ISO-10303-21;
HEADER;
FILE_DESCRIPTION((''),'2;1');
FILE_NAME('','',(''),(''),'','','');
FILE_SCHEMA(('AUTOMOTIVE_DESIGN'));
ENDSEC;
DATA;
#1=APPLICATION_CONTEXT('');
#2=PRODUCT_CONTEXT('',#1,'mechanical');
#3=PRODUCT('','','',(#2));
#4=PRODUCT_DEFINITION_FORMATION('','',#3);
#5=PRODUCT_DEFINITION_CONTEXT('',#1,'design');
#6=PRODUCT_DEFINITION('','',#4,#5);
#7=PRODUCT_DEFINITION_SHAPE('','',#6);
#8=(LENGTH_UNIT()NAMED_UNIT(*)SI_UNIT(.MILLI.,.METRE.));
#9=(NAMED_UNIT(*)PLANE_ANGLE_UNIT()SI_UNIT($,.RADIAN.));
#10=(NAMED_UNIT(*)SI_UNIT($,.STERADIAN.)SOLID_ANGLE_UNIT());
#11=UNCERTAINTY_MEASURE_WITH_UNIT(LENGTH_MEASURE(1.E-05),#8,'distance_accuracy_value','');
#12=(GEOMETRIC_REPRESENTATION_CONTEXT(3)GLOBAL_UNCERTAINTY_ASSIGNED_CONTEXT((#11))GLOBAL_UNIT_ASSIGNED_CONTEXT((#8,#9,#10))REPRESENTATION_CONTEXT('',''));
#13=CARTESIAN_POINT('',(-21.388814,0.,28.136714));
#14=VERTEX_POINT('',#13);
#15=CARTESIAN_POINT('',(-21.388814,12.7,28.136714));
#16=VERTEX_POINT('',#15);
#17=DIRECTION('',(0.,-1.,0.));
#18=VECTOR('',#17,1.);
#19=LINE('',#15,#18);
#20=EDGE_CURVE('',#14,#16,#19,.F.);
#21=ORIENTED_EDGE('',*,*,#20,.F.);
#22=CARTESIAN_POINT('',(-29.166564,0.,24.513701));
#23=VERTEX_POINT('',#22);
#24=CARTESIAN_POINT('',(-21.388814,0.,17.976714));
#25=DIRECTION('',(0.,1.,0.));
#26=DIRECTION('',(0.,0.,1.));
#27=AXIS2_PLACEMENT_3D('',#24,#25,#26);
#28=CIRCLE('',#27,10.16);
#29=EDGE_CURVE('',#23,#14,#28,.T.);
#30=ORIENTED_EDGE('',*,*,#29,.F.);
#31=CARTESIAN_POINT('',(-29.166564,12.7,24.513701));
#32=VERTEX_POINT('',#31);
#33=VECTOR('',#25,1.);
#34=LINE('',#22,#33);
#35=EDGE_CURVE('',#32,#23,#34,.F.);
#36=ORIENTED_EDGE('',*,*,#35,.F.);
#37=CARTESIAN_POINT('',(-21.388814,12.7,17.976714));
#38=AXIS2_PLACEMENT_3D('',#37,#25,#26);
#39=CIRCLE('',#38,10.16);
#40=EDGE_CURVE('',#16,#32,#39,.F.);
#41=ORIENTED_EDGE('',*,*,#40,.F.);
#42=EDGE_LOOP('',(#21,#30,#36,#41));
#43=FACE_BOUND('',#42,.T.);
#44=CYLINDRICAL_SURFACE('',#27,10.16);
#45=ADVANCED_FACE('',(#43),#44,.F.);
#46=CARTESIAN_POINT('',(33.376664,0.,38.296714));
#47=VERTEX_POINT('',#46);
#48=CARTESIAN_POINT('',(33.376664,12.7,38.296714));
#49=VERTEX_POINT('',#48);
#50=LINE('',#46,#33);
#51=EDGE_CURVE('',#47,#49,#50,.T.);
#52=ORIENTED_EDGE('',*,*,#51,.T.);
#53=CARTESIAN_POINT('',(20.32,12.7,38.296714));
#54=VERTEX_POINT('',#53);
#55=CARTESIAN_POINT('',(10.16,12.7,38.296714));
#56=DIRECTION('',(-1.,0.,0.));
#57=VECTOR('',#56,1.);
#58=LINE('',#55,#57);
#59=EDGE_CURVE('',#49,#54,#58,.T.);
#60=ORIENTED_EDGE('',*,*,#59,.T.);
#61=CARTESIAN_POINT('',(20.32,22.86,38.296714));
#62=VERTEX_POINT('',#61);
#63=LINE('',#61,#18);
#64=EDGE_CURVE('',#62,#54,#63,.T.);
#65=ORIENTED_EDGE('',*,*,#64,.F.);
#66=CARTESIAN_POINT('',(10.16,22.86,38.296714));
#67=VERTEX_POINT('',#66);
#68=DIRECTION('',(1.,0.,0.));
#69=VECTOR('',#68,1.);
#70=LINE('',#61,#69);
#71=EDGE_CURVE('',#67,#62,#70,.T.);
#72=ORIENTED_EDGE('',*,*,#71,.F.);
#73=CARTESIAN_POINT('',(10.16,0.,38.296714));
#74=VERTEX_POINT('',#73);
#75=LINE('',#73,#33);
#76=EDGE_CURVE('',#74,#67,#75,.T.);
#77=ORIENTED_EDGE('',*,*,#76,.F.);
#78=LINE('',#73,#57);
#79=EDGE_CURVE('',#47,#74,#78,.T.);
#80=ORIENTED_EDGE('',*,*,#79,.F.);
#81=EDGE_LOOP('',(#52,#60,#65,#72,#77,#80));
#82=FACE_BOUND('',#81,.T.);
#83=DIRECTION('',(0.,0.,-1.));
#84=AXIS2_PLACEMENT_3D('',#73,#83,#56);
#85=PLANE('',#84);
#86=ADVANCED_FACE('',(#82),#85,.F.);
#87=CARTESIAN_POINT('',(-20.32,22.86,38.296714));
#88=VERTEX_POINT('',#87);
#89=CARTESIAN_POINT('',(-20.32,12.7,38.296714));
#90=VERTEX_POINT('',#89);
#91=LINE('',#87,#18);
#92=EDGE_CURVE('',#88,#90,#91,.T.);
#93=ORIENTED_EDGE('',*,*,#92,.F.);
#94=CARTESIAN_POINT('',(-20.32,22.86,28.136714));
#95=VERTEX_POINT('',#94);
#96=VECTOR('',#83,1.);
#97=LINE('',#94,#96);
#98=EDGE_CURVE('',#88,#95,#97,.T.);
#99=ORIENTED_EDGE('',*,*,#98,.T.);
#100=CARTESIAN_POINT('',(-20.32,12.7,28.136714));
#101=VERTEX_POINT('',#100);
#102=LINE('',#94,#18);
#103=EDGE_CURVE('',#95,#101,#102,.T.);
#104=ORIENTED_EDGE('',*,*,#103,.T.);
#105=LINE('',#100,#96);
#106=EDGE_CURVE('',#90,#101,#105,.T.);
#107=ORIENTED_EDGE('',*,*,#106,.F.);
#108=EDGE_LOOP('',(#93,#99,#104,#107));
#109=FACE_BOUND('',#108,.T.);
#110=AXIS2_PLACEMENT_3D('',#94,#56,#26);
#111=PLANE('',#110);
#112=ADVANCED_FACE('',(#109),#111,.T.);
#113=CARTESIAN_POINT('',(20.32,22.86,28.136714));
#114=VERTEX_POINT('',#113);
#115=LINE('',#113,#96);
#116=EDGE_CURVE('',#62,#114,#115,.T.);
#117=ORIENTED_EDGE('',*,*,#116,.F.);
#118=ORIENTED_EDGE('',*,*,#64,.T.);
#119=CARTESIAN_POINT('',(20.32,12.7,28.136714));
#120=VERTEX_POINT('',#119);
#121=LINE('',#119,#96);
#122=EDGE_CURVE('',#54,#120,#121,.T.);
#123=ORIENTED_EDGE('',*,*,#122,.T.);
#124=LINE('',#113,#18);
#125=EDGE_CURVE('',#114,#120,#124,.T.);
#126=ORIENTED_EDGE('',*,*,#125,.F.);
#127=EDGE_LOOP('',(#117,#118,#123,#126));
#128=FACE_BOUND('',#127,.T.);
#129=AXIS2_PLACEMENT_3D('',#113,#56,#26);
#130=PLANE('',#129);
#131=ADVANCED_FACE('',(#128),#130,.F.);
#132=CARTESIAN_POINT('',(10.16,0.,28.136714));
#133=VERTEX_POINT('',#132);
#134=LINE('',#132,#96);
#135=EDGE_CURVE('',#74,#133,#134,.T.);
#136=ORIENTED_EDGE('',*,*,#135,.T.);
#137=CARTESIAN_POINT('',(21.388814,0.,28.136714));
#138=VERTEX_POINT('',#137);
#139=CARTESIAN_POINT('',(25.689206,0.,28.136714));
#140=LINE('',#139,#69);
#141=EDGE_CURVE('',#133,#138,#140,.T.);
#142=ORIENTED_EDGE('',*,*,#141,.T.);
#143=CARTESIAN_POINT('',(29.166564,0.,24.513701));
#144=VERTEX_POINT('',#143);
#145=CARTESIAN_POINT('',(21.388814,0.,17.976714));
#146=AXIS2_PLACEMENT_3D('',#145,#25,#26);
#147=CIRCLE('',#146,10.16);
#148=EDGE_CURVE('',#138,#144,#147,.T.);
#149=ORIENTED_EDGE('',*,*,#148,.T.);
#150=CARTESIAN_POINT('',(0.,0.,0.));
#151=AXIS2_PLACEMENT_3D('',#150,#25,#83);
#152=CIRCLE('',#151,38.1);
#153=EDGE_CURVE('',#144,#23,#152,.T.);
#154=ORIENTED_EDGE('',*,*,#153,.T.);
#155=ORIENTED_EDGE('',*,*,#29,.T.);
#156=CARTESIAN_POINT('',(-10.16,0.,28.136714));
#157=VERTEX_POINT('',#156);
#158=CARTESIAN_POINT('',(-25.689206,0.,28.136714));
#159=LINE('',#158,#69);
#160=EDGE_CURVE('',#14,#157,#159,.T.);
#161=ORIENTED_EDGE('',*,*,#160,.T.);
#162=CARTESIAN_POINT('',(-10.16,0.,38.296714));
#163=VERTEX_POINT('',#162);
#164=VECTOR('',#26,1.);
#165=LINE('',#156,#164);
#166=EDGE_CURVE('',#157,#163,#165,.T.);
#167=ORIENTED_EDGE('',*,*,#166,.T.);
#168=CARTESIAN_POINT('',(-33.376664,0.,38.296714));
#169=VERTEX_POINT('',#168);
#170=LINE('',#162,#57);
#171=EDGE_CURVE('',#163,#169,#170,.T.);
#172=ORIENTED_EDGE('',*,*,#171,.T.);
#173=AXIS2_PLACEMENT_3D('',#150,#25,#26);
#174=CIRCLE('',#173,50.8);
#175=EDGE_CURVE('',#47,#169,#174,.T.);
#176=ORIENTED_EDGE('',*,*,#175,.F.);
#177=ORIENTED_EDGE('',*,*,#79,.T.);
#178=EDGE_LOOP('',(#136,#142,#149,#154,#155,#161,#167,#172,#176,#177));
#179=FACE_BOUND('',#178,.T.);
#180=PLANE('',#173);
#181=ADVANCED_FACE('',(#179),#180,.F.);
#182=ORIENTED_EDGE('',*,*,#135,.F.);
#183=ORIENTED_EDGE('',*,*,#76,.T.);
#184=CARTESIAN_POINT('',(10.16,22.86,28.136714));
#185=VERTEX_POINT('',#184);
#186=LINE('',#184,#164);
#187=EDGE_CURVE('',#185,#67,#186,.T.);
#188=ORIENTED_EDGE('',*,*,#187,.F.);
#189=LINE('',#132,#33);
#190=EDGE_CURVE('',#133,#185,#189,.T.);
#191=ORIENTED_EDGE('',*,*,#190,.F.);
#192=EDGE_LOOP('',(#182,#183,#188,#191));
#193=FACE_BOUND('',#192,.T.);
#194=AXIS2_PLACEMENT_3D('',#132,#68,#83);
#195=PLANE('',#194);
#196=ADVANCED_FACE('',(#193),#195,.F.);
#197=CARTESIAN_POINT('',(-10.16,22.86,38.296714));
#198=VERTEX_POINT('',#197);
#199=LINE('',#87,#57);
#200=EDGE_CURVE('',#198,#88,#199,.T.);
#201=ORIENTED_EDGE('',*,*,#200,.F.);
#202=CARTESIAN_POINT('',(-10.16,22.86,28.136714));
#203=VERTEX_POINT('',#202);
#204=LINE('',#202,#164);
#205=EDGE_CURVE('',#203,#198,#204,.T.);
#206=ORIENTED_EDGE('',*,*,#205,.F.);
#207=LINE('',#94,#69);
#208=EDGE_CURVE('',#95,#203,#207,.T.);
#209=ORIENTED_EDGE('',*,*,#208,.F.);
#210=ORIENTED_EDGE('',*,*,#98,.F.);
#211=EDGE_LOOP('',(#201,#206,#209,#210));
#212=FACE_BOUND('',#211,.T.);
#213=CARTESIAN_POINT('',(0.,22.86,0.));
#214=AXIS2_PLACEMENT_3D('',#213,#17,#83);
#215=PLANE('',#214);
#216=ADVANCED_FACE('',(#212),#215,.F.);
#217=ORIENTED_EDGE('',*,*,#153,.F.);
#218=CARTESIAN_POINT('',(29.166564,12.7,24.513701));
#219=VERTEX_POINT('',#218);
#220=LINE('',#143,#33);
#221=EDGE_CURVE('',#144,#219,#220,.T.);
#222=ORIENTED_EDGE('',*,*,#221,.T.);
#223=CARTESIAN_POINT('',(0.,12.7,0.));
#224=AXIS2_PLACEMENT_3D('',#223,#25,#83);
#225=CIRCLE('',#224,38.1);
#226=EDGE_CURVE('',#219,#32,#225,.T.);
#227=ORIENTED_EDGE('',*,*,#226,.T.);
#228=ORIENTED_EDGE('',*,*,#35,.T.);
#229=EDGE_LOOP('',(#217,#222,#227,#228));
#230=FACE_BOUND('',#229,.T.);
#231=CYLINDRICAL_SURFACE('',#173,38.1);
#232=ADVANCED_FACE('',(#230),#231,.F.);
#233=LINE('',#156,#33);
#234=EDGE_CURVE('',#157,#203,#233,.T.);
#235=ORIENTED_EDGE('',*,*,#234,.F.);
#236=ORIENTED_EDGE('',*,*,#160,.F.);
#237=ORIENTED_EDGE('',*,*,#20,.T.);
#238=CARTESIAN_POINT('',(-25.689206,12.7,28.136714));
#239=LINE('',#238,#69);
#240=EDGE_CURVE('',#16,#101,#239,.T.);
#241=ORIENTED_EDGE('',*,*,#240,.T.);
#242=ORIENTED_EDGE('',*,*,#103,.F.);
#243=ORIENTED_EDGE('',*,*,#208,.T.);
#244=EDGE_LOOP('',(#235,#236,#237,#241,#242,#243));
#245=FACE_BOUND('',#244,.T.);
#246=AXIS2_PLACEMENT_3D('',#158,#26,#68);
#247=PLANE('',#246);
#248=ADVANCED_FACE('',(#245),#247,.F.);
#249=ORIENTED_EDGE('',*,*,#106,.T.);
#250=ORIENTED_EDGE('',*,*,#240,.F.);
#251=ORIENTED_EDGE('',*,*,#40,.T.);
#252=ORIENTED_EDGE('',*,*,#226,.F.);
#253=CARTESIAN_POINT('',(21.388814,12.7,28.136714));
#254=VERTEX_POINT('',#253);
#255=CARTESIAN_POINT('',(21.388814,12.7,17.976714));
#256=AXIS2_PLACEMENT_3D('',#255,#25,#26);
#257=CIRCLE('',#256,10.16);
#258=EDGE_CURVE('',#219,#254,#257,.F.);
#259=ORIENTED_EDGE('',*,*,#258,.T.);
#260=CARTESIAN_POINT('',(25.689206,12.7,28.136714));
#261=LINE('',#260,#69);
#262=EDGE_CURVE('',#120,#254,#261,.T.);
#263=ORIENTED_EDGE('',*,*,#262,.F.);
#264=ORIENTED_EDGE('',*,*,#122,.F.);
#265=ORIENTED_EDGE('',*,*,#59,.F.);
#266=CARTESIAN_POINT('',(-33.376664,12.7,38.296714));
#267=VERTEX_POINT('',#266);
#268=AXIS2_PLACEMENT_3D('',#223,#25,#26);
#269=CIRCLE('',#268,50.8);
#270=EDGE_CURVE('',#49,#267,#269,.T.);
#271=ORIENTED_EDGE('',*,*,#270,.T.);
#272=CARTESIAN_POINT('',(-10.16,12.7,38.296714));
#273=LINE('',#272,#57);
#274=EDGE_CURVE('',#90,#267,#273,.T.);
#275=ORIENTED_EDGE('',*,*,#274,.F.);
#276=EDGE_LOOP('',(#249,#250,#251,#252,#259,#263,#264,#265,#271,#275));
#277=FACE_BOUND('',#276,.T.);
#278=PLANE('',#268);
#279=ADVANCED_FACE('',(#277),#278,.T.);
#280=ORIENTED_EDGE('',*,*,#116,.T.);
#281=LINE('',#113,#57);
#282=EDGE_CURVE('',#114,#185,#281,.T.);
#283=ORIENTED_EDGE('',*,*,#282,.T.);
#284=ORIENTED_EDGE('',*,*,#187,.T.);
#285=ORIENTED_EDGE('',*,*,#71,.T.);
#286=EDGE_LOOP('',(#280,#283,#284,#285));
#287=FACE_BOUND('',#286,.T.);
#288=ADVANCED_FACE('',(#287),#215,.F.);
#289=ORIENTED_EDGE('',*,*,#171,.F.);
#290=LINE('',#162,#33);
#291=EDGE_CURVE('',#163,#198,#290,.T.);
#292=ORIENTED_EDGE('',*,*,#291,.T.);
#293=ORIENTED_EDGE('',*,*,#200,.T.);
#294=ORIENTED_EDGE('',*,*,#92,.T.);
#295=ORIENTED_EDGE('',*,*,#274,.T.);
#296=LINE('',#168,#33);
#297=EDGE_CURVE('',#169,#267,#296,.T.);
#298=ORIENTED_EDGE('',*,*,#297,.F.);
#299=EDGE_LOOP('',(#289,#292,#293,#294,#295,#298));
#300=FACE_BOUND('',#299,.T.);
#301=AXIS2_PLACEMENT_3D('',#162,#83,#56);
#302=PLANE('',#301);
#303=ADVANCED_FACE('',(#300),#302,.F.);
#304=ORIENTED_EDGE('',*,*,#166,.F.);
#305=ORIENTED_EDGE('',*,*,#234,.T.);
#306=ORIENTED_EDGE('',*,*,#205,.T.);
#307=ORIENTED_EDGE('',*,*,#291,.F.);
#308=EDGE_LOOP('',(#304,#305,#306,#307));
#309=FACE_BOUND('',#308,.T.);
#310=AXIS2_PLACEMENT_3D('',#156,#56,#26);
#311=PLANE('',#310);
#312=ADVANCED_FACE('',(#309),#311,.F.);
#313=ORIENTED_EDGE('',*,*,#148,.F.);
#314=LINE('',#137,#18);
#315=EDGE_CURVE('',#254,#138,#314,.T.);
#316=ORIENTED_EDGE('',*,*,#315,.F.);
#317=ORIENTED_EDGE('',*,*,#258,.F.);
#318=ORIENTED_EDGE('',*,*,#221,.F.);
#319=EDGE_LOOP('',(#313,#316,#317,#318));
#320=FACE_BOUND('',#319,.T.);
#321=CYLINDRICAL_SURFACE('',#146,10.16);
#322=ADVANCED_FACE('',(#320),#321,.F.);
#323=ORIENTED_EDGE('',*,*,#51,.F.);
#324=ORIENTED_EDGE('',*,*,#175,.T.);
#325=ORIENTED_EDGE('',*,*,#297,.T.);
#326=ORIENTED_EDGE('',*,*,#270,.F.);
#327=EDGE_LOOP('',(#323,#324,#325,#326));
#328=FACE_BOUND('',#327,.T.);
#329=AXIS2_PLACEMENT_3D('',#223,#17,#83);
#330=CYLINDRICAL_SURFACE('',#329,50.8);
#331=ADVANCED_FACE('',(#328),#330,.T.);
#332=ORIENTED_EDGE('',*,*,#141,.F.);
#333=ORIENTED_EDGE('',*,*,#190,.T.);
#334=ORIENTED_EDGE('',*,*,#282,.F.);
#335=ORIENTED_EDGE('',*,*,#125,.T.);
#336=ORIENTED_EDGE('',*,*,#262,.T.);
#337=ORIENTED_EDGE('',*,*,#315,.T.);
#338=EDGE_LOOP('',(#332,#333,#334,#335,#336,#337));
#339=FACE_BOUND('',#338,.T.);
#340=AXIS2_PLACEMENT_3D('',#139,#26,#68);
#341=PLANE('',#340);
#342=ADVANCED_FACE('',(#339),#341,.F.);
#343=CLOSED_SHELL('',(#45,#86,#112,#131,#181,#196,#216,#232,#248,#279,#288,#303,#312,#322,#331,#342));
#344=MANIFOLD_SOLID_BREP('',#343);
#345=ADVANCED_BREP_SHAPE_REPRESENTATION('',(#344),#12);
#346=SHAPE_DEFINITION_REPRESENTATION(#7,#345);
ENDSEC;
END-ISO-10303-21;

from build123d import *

# Parameters (mm, degrees)
SKETCH1_R           = 50.8
BOSS_EXTRUDE1_DEPTH = 12.7
CUT_EXTRUDE1_DEPTH  = 12.7
SKETCH3_W           = 10.16
SKETCH3_H           = 10.16
BOSS_EXTRUDE2_DEPTH = 10.16
FILLET1_R           = 10.16
FILLET2_R           = 10.16


with BuildPart() as part:
    # Sketch1 → Boss-Extrude1 (new body)
    with BuildSketch(Plane(origin=(0, 0, 0), x_dir=(1, 0, 0), z_dir=(0, 1, 0))):
        Circle(SKETCH1_R)
    extrude(amount=BOSS_EXTRUDE1_DEPTH)

    # Sketch2 → Cut-Extrude1 (cut)
    with BuildSketch(Plane(origin=(0, 12.7, 0), x_dir=(1, 0, 0), z_dir=(0, 1, 0))):
        with BuildLine():
            Line((-25.689206411, -28.136713987), (-10.16, -28.136713987))
            Line((-10.16, -28.136713987), (-10.16, -38.296713987))
            Line((-10.16, -38.296713987), (-33.376663971, -38.296713987))
            ThreePointArc((-33.376663971, -38.296713987), (0, -50.8), (33.376663971, -38.296713987))
            Line((33.376663971, -38.296713987), (10.16, -38.296713987))
            Line((10.16, -38.296713987), (10.16, -28.136713987))
            Line((10.16, -28.136713987), (25.689206411, -28.136713987))
            ThreePointArc((25.689206411, -28.136713987), (0, 38.1), (-25.689206411, -28.136713987))
        make_face()
    extrude(amount=-CUT_EXTRUDE1_DEPTH, mode=Mode.SUBTRACT)

    # Sketch3 → Boss-Extrude2 (add)
    with BuildSketch(Plane(origin=(-12.7, 12.7, 0), x_dir=(0, 0, -1), z_dir=(0, -1, 0))):
        with Locations((-33.216713987, -2.54)):
            Rectangle(SKETCH3_W, SKETCH3_H)
    boss_extrude2 = extrude(amount=-BOSS_EXTRUDE2_DEPTH)

    # Fillet1
    fillet1_edges = [part.edges().sort_by_distance(p)[0] for p in [
        (-25.689206411, 6.35, 28.136713987),
    ]]
    fillet(fillet1_edges, radius=FILLET1_R)

    # Mirror1: Boss-Extrude2 across plane
    add(boss_extrude2.mirror(Plane(origin=(0, 0, 0), x_dir=(0, 0, 1), z_dir=(1, 0, 0))))

    # Fillet2
    fillet2_edges = [part.edges().sort_by_distance(p)[0] for p in [
        (25.689206411, 6.35, 28.136713987),
    ]]
    fillet(fillet2_edges, radius=FILLET2_R)


solid = part.part
